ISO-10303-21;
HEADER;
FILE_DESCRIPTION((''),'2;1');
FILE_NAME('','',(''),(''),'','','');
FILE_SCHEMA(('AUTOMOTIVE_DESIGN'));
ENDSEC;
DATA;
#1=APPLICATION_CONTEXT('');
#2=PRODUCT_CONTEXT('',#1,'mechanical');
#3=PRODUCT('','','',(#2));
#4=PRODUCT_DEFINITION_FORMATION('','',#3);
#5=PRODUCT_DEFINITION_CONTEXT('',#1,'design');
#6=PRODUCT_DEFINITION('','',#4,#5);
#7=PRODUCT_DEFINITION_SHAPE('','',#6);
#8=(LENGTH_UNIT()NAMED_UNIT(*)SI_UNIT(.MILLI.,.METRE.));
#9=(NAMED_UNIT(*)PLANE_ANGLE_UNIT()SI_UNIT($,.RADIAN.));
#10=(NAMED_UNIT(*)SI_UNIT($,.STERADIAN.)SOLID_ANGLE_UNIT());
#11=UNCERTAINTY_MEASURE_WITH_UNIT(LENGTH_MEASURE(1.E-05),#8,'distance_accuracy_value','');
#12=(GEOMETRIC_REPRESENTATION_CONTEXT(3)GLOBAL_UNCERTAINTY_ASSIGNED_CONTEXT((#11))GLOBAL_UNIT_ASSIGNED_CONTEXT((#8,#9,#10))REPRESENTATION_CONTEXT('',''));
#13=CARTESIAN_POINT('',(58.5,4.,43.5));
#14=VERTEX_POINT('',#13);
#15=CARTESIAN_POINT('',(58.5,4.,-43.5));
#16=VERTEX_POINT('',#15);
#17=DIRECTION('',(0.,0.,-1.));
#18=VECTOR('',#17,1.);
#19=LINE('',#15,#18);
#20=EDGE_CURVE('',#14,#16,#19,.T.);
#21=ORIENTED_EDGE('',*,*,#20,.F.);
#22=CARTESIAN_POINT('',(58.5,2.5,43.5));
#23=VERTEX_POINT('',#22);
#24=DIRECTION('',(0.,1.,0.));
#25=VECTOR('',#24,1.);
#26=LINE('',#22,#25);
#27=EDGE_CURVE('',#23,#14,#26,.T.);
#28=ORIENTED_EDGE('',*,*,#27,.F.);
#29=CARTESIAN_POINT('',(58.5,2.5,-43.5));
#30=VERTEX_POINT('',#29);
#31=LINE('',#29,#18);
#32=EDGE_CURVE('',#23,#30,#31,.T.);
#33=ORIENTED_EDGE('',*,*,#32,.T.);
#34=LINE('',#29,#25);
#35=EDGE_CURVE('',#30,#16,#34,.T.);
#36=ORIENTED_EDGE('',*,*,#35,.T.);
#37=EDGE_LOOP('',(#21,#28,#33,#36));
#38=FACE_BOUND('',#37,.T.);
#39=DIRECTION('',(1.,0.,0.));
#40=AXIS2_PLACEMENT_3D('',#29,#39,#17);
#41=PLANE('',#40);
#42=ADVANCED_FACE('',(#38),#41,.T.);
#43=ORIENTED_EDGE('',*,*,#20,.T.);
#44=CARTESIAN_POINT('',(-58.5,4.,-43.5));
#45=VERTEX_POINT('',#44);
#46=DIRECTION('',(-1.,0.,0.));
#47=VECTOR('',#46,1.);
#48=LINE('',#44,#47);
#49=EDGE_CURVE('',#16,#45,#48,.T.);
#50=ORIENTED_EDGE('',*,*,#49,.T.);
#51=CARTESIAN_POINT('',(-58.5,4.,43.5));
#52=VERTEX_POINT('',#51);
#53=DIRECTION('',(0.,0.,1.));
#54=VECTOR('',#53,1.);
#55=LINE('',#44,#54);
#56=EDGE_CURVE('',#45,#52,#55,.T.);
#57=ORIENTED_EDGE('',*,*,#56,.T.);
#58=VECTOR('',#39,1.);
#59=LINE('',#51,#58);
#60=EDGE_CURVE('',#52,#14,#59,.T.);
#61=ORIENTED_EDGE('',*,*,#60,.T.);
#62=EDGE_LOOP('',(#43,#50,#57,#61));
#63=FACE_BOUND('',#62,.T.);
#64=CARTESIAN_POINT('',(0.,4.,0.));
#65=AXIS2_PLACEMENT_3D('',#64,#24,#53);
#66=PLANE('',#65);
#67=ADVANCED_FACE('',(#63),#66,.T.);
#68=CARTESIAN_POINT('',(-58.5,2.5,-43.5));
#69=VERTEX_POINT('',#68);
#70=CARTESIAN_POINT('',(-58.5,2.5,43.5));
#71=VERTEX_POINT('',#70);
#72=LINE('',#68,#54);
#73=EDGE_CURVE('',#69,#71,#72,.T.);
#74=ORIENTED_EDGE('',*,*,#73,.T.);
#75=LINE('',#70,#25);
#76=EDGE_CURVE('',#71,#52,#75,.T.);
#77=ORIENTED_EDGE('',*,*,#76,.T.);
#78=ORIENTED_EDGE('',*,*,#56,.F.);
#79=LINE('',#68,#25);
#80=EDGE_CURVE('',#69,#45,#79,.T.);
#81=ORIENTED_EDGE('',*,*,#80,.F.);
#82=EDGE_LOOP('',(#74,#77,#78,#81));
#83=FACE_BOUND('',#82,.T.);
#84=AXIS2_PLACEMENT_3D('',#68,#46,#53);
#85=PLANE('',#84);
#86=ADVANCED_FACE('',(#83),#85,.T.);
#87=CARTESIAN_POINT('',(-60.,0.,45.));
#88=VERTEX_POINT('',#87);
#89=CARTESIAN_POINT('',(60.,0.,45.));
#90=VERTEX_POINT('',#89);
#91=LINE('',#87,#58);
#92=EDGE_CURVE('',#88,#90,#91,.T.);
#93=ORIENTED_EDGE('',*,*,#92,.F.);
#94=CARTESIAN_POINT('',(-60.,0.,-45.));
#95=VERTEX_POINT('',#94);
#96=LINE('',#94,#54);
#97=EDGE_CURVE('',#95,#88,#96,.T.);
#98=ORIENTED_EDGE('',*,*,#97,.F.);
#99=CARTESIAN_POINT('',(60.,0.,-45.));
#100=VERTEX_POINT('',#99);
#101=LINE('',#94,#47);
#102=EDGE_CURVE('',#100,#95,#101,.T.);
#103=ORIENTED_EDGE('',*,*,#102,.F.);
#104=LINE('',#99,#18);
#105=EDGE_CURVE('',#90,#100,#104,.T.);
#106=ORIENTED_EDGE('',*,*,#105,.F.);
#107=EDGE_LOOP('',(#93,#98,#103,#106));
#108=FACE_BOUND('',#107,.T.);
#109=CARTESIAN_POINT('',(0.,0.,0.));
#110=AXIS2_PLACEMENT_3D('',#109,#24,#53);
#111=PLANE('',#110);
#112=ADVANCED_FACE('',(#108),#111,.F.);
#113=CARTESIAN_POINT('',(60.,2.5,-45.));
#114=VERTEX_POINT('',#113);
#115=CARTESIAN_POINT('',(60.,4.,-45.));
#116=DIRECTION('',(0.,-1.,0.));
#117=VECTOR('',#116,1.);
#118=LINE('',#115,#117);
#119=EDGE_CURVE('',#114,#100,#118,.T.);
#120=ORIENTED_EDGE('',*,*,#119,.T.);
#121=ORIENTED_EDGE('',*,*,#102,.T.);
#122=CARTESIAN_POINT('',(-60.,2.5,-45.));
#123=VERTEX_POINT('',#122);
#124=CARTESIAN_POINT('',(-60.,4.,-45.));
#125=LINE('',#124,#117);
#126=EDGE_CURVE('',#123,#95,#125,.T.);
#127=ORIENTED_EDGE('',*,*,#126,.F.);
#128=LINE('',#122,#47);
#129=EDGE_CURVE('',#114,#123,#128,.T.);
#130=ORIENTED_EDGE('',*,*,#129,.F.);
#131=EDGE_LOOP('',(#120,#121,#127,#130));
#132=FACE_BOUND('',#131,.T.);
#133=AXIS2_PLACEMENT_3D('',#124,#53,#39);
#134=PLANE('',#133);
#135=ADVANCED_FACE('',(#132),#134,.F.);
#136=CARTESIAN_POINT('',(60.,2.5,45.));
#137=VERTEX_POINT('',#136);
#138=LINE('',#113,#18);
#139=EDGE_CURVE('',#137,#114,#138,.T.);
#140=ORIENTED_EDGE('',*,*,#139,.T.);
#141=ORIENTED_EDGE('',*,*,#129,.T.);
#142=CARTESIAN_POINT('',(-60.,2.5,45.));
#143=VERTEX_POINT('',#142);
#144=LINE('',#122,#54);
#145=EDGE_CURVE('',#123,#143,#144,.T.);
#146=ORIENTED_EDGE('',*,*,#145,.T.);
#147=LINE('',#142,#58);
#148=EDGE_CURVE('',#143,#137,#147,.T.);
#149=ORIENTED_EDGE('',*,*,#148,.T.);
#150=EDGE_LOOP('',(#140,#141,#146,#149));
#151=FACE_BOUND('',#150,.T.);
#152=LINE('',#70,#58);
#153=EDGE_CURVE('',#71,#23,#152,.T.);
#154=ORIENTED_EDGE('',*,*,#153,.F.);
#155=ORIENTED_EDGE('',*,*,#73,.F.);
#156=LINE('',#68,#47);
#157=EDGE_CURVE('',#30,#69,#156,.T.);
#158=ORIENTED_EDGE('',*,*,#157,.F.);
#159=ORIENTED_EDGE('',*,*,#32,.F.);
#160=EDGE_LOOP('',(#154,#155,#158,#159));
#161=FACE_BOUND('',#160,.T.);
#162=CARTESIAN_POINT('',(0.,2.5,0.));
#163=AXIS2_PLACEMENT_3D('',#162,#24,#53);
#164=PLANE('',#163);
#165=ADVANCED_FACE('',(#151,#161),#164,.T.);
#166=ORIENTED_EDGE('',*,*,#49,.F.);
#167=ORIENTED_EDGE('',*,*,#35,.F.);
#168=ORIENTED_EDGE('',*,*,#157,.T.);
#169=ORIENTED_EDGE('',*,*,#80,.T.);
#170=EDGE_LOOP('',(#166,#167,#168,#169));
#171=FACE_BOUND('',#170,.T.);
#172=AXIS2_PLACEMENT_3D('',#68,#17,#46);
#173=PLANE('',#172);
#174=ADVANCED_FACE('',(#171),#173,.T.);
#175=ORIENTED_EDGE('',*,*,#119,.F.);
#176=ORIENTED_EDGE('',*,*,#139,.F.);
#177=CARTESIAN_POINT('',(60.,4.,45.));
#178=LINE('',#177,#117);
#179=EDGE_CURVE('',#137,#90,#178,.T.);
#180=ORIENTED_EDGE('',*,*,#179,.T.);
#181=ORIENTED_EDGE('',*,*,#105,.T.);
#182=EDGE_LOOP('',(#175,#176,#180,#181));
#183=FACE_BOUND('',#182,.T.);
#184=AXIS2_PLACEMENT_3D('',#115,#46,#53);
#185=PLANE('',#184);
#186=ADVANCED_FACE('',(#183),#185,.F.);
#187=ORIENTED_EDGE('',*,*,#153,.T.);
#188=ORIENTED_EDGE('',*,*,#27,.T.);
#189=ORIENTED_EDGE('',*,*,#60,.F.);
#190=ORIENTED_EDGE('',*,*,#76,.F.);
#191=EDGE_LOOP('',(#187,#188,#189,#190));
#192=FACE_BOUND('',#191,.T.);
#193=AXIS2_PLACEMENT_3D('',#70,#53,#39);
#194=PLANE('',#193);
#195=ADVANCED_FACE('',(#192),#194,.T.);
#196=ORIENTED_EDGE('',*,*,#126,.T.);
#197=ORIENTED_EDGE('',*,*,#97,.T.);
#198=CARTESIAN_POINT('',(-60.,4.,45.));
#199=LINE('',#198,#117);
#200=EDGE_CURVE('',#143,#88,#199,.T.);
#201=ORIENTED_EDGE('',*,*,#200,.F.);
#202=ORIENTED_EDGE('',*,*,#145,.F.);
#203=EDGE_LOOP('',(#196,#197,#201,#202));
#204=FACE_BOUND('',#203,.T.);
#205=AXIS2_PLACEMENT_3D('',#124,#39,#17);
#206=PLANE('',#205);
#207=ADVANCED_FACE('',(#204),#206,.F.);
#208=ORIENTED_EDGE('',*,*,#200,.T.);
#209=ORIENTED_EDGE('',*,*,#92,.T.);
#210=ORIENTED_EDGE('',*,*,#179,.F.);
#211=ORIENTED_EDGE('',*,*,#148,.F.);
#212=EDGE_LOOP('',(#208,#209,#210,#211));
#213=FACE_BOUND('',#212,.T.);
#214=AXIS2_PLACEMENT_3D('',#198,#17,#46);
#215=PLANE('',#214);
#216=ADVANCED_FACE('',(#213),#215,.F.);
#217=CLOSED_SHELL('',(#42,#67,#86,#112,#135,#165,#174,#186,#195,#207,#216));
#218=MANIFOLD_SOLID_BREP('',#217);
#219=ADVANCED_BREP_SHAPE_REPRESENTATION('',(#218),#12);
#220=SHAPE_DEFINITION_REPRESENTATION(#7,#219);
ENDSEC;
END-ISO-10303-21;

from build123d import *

# Parameters (mm, degrees)
SKETCH1_W           = 120
SKETCH1_H           = 90
BOSS_EXTRUDE1_DEPTH = 4
SKETCH2_OUTSIDE_W   = 152.01
SKETCH2_OUTSIDE_H   = 122.01
SKETCH2_OUTSIDE_W_2 = 117
SKETCH2_OUTSIDE_H_2 = 87
CUT_EXTRUDE1_DEPTH  = 1.5


with BuildPart() as part:
    # Sketch1 → Boss-Extrude1 (new body)
    with BuildSketch(Plane(origin=(0, 0, 0), x_dir=(1, 0, 0), z_dir=(0, 1, 0))):
        Rectangle(SKETCH1_W, SKETCH1_H)
    extrude(amount=BOSS_EXTRUDE1_DEPTH)

    # Sketch2 outside → Cut-Extrude1 (cut)
    with BuildSketch(Plane(origin=(0, 4, 0), x_dir=(1, 0, 0), z_dir=(0, 1, 0))):
        Rectangle(SKETCH2_OUTSIDE_W, SKETCH2_OUTSIDE_H)
        Rectangle(SKETCH2_OUTSIDE_W_2, SKETCH2_OUTSIDE_H_2, mode=Mode.SUBTRACT)
    extrude(amount=-CUT_EXTRUDE1_DEPTH, mode=Mode.SUBTRACT)


solid = part.part
